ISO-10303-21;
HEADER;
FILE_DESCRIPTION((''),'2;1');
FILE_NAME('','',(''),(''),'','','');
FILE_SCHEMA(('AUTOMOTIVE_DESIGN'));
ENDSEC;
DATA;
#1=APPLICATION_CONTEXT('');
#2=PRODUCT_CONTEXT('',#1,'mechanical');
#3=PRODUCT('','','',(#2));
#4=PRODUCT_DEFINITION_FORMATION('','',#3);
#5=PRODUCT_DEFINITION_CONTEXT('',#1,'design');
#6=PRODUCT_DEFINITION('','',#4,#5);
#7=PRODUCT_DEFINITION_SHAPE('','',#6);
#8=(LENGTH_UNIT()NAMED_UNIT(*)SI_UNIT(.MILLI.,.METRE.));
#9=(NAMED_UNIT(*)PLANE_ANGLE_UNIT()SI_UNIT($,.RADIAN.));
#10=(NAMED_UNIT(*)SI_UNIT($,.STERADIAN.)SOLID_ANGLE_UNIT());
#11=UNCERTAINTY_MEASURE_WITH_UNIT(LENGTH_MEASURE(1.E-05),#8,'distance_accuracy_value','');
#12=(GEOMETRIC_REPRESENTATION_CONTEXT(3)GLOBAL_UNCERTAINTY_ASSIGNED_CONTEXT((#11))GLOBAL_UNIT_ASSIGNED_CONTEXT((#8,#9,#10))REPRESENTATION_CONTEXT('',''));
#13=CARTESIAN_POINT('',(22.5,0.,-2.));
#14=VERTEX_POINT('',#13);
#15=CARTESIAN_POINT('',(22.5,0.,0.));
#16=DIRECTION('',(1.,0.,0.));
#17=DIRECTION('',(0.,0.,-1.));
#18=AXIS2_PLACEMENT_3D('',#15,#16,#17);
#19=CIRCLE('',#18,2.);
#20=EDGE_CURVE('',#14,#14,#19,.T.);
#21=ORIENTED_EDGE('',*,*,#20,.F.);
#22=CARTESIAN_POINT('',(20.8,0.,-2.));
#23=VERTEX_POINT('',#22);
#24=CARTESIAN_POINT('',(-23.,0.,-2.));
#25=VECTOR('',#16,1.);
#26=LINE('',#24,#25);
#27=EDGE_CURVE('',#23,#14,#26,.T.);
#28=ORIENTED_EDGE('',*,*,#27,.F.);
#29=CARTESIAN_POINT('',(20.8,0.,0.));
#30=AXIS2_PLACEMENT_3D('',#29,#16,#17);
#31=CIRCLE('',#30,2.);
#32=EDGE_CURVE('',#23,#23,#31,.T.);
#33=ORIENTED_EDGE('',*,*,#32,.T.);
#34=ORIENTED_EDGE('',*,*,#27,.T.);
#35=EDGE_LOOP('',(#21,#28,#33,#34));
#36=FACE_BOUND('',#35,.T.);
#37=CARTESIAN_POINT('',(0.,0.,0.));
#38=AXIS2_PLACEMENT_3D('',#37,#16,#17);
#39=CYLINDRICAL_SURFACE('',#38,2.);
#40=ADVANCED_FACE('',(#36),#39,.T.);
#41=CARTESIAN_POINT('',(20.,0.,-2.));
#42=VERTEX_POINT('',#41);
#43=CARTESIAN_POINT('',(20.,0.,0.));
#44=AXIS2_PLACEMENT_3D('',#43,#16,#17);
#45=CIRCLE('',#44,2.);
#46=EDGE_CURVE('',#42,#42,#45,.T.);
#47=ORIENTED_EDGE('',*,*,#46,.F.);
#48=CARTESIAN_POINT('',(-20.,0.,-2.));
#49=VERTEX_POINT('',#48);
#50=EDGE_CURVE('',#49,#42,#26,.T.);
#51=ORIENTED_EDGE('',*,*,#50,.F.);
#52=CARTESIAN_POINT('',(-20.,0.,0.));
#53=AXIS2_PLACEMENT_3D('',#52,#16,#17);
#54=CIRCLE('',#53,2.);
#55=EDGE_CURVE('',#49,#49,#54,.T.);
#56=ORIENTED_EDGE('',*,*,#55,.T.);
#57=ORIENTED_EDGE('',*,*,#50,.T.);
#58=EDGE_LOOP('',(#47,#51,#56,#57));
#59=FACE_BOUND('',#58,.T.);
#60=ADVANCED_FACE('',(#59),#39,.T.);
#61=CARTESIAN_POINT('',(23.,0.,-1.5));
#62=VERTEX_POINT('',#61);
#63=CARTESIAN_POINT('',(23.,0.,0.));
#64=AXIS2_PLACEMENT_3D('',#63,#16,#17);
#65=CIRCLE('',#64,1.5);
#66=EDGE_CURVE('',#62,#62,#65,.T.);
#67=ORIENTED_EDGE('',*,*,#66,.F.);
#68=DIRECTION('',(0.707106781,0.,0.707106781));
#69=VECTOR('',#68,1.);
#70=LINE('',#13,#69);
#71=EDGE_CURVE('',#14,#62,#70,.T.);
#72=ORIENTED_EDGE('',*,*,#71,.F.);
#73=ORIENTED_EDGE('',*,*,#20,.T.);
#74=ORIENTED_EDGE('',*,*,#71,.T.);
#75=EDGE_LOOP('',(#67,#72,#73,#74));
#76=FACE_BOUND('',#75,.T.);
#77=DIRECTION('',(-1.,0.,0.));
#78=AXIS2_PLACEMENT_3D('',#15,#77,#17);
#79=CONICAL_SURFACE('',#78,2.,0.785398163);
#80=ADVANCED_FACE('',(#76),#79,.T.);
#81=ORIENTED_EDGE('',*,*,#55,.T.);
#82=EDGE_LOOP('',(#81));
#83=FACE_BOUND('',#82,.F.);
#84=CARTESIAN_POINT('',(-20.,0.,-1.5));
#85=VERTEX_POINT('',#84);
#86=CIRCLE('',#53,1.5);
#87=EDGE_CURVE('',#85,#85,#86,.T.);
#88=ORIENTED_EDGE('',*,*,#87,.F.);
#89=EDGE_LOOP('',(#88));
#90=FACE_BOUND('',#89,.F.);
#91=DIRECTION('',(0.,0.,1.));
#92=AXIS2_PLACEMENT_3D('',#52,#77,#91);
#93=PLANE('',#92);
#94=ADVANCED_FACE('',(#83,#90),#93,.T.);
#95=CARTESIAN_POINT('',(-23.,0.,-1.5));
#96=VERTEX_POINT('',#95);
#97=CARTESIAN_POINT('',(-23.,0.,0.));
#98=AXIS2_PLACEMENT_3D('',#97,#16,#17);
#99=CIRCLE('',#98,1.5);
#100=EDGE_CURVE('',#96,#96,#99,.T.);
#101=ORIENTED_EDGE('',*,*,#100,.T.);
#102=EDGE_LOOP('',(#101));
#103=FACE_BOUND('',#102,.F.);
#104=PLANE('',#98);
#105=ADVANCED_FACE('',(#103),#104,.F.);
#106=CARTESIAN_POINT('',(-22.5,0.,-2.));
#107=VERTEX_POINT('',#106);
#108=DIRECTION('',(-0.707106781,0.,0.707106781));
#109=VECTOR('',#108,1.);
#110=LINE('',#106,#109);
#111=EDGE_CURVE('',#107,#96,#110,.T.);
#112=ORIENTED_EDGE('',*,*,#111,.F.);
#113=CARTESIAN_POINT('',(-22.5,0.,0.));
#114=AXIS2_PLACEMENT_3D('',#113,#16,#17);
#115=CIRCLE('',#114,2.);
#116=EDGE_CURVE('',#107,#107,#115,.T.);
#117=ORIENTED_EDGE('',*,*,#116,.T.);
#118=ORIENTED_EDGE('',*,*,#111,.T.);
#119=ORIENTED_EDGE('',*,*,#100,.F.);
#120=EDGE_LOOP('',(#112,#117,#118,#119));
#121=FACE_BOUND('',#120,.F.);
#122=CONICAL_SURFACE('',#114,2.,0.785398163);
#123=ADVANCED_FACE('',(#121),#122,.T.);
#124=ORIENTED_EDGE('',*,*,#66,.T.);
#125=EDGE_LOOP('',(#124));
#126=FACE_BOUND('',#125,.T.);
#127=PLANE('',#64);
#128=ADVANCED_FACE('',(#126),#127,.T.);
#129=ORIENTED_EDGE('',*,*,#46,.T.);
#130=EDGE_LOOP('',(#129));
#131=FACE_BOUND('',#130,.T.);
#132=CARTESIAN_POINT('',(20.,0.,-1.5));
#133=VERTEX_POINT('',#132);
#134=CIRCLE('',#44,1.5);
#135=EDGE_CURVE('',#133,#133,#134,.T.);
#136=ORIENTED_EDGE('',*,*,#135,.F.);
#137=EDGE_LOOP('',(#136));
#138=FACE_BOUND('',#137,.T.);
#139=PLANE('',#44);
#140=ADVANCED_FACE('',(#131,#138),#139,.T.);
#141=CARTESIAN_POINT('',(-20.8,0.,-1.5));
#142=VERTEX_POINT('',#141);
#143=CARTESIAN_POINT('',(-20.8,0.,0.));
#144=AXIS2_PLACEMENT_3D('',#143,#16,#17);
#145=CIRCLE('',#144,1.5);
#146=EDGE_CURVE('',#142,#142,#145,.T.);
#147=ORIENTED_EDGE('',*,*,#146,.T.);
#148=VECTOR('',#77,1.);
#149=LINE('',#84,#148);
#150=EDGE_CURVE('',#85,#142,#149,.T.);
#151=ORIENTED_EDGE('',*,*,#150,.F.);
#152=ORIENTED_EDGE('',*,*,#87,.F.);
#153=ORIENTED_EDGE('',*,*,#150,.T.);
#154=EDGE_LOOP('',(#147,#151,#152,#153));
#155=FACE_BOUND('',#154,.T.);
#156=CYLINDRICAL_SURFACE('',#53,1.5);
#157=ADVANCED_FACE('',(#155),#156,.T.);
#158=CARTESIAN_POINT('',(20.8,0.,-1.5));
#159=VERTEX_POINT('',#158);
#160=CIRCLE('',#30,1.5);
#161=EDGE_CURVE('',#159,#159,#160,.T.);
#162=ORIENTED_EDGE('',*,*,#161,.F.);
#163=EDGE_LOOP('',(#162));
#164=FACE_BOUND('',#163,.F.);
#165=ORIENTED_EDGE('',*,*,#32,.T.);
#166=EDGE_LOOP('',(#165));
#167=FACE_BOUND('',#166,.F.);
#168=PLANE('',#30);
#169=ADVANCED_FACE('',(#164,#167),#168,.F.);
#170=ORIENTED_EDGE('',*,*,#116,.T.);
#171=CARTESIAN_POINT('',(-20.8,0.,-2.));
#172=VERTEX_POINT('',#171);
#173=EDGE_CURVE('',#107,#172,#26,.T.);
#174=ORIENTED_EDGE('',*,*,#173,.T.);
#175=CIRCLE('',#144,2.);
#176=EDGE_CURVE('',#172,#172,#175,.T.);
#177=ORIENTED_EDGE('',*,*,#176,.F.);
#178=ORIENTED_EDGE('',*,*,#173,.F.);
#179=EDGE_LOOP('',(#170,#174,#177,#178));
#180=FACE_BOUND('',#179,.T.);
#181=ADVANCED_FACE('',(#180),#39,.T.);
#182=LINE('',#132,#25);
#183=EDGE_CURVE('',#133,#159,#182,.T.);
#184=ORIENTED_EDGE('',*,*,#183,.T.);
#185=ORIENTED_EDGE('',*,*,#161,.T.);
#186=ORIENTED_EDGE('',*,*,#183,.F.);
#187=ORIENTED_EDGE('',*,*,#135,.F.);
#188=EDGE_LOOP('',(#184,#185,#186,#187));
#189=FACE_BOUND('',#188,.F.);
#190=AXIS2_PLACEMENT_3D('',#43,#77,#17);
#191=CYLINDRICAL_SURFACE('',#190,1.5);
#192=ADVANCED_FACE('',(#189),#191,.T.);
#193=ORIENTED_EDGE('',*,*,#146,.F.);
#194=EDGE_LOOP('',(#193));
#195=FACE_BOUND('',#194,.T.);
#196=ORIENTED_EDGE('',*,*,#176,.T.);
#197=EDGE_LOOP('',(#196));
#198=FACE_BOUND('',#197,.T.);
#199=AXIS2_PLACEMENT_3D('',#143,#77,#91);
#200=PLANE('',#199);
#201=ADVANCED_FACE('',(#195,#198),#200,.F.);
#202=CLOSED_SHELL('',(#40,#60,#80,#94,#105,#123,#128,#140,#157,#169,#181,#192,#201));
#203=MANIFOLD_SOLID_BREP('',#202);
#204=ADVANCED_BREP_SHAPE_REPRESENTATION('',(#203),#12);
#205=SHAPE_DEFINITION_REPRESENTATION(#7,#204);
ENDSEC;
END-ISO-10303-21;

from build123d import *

# Parameters (mm, degrees)
SKETCH1_R           = 2
BOSS_EXTRUDE1_DEPTH = 23
CHAMFER1_SIZE       = 0.5
CUT_EXTRUDE1_START  = -3
SKETCH2_R           = 2
SKETCH2_R_2         = 1.5
CUT_EXTRUDE1_DEPTH  = 0.8


with BuildPart() as part:
    # Sketch1 → Boss-Extrude1 (new body, symmetric)
    with BuildSketch(Plane(origin=(0, 0, 0), x_dir=(0, 0, -1), z_dir=(1, 0, 0))):
        Circle(SKETCH1_R)
    extrude(amount=BOSS_EXTRUDE1_DEPTH, both=True)

    # Chamfer1
    chamfer1_edges = [part.edges().sort_by_distance(p)[0] for p in [
        (-23, 0, 2),
        (23, 0, 2),
    ]]
    chamfer(chamfer1_edges, length=CHAMFER1_SIZE)

    # Sketch2 → Cut-Extrude1 (cut)
    with BuildSketch(Plane(origin=(23, 0, 0), x_dir=(0, 0, -1), z_dir=(1, 0, 0)).offset(CUT_EXTRUDE1_START)):
        Circle(SKETCH2_R)
        Circle(SKETCH2_R_2, mode=Mode.SUBTRACT)
    cut_extrude1 = extrude(amount=CUT_EXTRUDE1_DEPTH, mode=Mode.SUBTRACT)

    # Mirror1: Cut-Extrude1 across plane
    add(cut_extrude1.mirror(Plane(origin=(0, 0, 0), x_dir=(0, 0, 1), z_dir=(1, 0, 0))), mode=Mode.SUBTRACT)


solid = part.part
